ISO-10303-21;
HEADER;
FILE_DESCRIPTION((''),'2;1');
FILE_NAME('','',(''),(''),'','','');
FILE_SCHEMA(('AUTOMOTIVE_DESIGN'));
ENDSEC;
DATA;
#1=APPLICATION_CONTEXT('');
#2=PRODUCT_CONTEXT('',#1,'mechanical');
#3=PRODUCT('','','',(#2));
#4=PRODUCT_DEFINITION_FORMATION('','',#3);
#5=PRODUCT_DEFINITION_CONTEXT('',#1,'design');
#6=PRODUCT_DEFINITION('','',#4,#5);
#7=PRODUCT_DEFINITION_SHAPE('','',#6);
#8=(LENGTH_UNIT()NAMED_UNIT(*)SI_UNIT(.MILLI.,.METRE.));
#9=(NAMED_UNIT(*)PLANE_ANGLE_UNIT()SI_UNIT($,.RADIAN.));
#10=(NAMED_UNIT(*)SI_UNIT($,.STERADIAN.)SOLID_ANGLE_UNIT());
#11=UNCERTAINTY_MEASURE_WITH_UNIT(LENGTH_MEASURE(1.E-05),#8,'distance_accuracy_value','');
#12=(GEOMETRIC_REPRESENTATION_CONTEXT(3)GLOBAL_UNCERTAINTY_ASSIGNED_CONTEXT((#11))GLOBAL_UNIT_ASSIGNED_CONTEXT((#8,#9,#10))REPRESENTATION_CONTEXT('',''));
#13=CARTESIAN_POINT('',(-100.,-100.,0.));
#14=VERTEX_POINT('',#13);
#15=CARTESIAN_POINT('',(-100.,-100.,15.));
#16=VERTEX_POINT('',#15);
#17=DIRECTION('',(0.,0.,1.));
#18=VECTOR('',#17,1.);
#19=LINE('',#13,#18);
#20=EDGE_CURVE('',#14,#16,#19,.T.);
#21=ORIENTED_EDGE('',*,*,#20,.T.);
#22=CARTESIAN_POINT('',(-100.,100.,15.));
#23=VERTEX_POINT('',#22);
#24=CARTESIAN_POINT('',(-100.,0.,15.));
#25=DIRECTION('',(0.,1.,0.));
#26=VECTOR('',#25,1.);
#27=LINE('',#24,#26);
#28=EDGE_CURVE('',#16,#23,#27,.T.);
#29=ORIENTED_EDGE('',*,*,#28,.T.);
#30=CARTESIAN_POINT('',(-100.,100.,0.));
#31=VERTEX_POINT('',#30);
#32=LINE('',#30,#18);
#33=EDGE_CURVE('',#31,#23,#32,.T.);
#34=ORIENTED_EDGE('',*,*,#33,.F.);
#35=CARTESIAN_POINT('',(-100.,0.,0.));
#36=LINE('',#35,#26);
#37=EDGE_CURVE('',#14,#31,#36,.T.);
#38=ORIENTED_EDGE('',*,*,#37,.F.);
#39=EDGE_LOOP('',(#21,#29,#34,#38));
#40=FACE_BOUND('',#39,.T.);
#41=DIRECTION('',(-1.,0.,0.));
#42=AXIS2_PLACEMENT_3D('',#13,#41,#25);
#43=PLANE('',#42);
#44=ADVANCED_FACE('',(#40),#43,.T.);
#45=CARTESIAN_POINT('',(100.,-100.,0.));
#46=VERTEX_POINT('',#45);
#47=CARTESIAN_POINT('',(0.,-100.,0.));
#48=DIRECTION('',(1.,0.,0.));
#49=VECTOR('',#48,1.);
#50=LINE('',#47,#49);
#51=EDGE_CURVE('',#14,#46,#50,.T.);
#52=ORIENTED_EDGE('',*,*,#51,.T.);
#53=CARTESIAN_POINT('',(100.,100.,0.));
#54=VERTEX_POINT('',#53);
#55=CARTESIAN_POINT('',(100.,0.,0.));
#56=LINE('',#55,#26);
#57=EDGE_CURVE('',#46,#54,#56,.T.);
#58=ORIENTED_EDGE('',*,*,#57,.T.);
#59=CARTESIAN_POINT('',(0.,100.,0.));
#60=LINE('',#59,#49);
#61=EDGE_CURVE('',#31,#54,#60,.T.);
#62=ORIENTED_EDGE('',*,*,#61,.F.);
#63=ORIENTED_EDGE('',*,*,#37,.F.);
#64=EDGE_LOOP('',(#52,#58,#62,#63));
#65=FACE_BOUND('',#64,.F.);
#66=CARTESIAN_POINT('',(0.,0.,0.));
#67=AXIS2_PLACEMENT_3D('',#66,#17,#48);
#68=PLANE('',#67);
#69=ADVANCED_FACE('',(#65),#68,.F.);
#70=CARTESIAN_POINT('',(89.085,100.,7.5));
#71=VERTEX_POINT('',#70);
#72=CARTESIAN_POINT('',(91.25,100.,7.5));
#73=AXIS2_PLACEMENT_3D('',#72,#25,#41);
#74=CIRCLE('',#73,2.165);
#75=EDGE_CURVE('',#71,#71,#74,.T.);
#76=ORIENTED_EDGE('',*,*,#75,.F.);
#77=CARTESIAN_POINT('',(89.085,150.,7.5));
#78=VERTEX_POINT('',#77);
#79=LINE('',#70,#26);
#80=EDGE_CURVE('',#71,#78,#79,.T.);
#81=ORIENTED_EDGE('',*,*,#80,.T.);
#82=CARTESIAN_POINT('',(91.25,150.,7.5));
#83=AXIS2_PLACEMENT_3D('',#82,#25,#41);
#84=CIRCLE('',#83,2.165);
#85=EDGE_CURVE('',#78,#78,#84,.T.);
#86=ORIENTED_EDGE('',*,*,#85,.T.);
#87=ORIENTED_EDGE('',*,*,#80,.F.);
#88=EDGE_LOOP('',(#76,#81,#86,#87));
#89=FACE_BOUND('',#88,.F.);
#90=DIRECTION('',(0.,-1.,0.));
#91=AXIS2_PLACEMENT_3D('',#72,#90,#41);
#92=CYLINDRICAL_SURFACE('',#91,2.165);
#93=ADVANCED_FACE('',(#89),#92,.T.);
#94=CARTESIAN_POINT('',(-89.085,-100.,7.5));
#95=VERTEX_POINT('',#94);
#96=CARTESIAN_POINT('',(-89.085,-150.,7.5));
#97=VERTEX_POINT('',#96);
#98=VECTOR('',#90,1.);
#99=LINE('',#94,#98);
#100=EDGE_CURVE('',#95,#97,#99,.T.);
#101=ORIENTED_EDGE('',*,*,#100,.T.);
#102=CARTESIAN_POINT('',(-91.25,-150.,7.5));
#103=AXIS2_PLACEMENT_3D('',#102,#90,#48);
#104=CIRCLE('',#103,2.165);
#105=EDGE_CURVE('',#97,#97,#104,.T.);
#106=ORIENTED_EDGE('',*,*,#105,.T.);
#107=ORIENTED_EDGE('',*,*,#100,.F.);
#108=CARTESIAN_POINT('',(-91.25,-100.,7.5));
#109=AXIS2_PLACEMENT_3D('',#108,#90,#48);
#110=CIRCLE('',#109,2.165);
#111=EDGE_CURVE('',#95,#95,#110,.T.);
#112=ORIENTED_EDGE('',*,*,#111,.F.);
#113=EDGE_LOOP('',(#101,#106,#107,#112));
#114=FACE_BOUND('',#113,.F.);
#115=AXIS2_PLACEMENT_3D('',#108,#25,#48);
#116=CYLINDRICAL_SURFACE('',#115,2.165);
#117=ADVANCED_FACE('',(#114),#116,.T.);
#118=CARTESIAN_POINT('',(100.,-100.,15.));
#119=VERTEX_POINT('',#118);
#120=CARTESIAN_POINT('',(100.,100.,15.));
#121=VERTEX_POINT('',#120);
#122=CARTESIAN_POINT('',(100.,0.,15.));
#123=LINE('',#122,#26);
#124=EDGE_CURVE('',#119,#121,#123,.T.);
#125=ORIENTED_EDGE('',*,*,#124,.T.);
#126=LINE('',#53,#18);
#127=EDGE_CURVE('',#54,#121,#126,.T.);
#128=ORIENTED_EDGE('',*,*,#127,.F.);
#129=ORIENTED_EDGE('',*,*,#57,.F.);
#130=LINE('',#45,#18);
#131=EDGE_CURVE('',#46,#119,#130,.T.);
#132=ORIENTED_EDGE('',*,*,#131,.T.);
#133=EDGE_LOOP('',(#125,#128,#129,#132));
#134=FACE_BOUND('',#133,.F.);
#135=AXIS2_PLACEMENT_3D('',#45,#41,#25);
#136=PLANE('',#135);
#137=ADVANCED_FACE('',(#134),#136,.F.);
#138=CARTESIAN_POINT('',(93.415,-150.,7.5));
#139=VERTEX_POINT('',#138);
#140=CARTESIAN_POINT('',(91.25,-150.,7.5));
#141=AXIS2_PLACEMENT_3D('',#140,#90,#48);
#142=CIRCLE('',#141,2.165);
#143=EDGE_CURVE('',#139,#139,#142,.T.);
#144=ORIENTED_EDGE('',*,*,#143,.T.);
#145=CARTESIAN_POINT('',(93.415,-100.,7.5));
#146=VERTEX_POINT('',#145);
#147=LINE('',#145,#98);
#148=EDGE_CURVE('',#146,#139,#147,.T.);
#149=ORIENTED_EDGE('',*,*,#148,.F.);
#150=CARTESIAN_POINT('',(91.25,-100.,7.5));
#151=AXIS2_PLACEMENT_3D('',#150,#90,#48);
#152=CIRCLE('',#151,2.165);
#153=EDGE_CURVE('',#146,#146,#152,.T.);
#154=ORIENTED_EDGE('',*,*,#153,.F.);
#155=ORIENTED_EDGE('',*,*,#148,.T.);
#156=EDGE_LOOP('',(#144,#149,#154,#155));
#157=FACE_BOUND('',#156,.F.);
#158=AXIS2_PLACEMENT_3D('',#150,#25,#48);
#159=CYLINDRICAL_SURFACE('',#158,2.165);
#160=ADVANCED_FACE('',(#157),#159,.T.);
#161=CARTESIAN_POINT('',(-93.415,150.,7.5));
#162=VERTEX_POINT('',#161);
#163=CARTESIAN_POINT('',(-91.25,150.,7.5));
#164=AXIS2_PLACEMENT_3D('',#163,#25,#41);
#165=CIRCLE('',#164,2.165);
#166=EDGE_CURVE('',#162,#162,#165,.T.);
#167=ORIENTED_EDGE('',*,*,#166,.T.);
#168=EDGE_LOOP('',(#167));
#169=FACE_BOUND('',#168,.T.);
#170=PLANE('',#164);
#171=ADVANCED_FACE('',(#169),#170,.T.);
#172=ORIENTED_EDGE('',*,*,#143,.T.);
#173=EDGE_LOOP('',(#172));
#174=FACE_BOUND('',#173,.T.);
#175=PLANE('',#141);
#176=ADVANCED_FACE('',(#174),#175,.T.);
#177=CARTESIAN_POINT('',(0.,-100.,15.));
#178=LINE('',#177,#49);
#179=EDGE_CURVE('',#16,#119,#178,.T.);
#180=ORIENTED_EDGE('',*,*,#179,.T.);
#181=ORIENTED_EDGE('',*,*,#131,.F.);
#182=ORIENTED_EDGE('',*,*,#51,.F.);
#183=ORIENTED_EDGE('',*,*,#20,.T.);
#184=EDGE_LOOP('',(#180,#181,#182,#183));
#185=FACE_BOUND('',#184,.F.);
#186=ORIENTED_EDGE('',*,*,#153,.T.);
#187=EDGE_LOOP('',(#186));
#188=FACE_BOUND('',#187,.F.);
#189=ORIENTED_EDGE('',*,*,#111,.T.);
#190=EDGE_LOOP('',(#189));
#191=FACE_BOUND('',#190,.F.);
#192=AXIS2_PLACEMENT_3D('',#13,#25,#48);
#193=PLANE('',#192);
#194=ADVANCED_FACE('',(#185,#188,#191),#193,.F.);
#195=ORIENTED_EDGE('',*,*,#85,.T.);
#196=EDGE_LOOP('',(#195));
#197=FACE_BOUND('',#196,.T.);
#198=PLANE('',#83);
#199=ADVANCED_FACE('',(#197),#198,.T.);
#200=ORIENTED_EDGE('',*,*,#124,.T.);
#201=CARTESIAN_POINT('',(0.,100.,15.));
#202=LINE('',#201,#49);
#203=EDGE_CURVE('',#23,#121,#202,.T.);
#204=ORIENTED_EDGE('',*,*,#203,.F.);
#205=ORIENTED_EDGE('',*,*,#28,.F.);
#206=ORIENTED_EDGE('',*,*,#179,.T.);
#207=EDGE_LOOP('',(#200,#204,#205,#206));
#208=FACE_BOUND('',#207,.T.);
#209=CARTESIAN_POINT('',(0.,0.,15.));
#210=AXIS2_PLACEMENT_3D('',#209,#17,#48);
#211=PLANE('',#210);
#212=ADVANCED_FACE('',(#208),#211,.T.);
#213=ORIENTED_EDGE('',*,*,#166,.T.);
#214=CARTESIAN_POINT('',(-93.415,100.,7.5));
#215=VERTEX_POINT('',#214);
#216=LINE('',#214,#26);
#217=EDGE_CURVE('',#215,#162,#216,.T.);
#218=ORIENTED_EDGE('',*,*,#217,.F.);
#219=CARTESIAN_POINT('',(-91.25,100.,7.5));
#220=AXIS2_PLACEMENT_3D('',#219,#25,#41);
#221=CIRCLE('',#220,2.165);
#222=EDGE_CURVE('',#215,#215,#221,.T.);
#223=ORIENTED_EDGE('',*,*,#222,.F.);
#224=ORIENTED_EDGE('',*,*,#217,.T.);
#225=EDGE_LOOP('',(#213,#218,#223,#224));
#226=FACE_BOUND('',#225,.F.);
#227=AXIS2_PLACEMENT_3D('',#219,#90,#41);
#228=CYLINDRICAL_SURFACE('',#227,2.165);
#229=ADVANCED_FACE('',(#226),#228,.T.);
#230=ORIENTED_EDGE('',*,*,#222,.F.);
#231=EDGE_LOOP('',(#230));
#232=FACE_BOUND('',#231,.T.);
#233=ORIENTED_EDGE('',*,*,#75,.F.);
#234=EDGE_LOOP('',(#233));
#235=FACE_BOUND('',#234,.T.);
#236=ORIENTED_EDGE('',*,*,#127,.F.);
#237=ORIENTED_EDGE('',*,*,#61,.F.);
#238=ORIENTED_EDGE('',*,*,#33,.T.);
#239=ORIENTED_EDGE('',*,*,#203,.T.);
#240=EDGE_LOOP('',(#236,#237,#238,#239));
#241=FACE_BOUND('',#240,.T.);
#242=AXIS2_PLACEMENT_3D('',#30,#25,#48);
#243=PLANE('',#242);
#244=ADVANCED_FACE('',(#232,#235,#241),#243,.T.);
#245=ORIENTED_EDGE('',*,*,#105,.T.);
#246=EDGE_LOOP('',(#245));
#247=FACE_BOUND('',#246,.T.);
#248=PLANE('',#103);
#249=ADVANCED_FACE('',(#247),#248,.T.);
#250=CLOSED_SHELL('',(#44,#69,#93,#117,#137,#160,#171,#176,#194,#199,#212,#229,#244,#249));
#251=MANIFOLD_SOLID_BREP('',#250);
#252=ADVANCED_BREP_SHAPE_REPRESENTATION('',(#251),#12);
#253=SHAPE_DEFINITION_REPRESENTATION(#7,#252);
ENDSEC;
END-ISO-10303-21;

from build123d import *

# Parameters (mm, degrees)
F0_W     = 200
F0_H     = 200
F1_DEPTH = 15
F2_R     = 2.165
F3_DEPTH = 50
F4_R     = 2.165
F5_DEPTH = 50


with BuildPart() as f1:
    # F0 (on Top) → F1 (new body)
    with BuildSketch(Plane.XY):
        Rectangle(F0_W, F0_H)
    extrude(amount=F1_DEPTH)

    # F2 (on face) → F3 (join)
    with BuildSketch(Plane(origin=(0, 100, 0), x_dir=(-1, 0, 0), z_dir=(0, 1, 0))):
        with Locations((-91.25, 7.5)):
            Circle(F2_R)
        with Locations((91.25, 7.5)):
            Circle(F2_R)
    extrude(amount=F3_DEPTH)

    # F4 (on face) → F5 (join)
    with BuildSketch(Plane.XZ.offset(100)):
        with Locations((-91.25, 7.5)):
            Circle(F4_R)
        with Locations((91.25, 7.5)):
            Circle(F4_R)
    extrude(amount=F5_DEPTH)


solid = f1.part
